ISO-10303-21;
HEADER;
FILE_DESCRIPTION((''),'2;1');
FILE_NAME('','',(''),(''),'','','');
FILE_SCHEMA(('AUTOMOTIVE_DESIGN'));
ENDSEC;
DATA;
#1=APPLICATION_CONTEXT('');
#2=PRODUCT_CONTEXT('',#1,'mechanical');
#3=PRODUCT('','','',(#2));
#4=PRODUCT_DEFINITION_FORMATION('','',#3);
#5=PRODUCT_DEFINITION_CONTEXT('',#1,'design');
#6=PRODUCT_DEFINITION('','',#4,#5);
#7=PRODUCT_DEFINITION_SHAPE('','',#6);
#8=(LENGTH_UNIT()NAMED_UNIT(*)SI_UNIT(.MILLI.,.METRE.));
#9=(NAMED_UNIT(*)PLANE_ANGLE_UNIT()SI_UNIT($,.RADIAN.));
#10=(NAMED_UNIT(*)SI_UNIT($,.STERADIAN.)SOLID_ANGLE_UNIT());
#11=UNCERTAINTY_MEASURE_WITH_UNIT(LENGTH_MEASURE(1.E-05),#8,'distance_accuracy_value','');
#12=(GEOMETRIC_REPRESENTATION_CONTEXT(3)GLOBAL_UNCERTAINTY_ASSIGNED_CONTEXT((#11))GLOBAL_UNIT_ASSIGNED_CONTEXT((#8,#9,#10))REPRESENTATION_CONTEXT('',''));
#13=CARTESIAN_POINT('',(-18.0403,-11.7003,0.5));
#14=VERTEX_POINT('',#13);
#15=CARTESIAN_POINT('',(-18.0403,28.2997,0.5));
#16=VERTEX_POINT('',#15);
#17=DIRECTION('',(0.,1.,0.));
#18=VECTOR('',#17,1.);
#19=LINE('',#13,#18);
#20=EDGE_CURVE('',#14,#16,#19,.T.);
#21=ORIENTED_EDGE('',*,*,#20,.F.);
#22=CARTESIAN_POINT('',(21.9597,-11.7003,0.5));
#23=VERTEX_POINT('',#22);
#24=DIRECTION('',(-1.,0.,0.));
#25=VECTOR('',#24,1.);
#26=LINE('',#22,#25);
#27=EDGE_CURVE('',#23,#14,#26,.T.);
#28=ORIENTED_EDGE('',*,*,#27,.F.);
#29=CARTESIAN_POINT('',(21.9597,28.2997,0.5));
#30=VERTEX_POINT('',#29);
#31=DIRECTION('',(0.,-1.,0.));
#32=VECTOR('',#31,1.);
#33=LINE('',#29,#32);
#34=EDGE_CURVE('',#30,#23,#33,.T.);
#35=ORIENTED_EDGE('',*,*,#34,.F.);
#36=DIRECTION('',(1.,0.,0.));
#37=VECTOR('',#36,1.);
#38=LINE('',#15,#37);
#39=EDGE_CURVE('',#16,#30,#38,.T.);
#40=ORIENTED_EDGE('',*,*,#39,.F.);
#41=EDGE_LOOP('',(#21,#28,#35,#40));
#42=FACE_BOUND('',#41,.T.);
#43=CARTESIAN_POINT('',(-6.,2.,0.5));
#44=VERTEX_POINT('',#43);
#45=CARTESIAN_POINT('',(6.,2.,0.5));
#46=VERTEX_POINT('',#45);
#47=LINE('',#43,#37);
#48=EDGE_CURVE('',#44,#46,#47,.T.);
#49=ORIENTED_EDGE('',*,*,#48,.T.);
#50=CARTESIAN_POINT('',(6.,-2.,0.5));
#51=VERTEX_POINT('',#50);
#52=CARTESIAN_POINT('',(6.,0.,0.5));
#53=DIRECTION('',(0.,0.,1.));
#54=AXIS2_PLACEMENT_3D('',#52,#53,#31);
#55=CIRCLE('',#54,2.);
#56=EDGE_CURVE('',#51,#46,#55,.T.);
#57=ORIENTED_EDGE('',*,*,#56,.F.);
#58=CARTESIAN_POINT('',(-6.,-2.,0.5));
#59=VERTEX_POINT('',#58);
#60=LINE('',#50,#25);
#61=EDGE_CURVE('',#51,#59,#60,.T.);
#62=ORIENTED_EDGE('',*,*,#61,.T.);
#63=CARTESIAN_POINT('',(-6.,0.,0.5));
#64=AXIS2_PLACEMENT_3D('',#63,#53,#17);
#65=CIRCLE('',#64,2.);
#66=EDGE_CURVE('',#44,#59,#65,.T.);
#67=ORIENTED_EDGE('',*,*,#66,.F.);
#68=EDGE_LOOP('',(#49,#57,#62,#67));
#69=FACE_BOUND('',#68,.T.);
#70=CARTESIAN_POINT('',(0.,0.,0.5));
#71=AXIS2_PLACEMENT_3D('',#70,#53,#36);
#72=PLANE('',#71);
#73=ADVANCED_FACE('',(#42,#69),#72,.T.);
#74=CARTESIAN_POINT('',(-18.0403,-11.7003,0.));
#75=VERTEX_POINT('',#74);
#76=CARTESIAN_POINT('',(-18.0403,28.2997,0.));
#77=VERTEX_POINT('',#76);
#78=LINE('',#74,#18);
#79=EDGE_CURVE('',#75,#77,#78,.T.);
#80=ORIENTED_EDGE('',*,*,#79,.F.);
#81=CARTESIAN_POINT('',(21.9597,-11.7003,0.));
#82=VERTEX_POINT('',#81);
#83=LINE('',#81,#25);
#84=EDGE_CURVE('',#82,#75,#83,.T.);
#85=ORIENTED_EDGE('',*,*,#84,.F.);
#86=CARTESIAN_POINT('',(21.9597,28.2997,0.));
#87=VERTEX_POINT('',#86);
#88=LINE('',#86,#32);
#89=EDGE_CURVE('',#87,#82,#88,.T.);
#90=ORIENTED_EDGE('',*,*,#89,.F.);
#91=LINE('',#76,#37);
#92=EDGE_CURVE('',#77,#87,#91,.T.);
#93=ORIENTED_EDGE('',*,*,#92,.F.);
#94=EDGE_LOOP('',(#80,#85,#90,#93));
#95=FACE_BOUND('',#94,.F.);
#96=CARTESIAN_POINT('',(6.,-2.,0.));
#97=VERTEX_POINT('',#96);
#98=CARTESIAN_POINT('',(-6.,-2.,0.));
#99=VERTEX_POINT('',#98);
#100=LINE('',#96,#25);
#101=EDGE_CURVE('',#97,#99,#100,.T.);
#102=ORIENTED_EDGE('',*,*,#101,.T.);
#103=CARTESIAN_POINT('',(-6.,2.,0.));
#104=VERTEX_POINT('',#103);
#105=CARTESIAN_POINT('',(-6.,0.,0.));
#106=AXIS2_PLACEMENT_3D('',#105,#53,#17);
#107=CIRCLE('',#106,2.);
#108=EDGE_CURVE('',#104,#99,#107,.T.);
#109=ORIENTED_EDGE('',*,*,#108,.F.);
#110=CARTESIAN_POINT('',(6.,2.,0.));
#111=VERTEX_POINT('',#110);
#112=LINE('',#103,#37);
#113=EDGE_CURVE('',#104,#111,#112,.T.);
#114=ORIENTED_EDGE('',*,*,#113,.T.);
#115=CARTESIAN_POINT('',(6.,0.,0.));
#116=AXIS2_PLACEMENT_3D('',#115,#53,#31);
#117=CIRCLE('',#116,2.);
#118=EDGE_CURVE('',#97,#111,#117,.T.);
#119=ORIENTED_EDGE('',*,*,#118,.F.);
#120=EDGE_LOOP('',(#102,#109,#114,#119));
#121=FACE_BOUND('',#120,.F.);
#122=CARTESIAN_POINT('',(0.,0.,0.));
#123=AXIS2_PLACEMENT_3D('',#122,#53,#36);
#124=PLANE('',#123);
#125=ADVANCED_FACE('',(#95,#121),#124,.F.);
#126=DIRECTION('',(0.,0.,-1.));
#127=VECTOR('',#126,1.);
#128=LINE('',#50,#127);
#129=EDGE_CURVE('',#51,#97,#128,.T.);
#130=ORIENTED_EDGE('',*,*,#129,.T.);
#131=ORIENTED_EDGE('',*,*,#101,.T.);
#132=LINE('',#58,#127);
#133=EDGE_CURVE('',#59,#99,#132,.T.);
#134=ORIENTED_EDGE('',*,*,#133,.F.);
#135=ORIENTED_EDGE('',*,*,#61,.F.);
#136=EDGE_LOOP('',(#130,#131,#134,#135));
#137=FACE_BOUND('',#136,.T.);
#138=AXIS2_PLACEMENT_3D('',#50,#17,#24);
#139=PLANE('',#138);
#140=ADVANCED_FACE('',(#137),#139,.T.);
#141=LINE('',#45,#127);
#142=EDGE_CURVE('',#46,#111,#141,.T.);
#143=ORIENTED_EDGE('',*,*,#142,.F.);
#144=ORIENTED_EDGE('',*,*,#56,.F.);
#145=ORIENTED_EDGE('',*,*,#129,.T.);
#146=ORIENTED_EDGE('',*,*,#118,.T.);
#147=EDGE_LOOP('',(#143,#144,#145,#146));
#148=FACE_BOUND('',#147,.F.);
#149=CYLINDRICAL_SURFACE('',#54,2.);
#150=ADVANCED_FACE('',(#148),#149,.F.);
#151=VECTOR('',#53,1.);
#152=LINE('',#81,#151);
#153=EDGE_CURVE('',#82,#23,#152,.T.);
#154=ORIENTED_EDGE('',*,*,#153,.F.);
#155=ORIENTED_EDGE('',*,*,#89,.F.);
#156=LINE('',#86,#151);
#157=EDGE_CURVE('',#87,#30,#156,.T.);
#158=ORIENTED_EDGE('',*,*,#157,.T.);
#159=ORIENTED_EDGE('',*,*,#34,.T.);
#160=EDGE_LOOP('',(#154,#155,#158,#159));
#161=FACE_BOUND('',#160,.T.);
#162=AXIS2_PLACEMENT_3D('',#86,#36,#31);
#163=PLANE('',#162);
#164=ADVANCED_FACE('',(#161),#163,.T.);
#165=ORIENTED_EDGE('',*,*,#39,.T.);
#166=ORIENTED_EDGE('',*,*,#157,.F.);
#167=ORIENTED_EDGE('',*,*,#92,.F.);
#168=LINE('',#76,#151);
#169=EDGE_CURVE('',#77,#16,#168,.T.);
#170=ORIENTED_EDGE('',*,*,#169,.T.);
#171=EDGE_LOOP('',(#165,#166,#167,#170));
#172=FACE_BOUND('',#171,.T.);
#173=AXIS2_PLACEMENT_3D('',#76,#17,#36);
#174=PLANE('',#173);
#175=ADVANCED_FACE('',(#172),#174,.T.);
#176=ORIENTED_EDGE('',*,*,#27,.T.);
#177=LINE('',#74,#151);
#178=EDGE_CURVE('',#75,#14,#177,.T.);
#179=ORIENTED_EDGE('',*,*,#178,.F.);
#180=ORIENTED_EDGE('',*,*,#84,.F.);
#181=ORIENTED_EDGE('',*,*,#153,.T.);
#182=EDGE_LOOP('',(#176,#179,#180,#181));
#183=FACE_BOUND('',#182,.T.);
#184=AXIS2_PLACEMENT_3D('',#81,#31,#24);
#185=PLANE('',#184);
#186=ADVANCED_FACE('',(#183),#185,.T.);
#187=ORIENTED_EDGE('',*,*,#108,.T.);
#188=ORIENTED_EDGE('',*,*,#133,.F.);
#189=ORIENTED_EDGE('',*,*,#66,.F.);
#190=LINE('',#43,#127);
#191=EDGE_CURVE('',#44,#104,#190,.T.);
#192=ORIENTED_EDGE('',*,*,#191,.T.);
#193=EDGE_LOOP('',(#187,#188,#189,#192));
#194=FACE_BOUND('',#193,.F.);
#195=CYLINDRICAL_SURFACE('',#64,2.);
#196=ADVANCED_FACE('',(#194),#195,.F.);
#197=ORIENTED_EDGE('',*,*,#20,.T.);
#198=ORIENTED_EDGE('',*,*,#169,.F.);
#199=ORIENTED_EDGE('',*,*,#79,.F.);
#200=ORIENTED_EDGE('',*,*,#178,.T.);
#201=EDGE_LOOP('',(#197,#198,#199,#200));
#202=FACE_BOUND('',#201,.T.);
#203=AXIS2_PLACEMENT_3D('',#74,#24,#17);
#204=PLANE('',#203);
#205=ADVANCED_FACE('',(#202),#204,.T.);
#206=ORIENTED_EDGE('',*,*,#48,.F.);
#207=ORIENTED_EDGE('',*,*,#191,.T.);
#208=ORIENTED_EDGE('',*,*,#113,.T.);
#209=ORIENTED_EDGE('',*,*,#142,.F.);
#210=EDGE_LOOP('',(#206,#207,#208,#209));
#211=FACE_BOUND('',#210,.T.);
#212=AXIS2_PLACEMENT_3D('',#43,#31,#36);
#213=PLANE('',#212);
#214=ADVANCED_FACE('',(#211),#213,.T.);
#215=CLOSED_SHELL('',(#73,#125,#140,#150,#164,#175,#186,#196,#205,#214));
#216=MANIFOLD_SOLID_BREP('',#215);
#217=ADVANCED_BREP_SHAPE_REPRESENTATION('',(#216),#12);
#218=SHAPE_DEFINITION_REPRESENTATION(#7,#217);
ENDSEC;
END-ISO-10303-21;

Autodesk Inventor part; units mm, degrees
ref_plane "YZ Plane" through (0, 0, 0) normal (1, 0, 0) x (0, 1, 0)
ref_plane "XZ Plane" through (0, 0, 0) normal (0, 1, 0) x (-1, 0, 0)
ref_plane "XY Plane" through (0, 0, 0) normal (0, 0, 1) x (1, 0, 0)
sketch "Sketch1" plane through (0, 0, 0) normal (0, 0, 1) x (1, 0, 0)
  line L0 (-18.0403, 28.2997) -> (21.9597, 28.2997)
  line L1 (21.9597, 28.2997) -> (21.9597, -11.7003)
  line L2 (21.9597, -11.7003) -> (-18.0403, -11.7003)
  line L3 (-18.0403, -11.7003) -> (-18.0403, 28.2997)
  point P0 (0, 0)
  dimension "d0" = 40
  dimension "d1" = 40
extrude "Plate1" add sketch "Sketch1" along normal blind 0.5
sketch "Sketch2" plane through (0, 0, 0.5) normal (0, 0, 1) x (1, 0, 0)
  line L0 (6, 0) -> (-6, 0) construction
  line L1 (6, -2) -> (-6, -2)
  line L2 (-6, 2) -> (6, 2)
  arc A0 (6, -2) -> (6, 2) centre (6, 0) ccw
  arc A1 (-6, 2) -> (-6, -2) centre (-6, 0) ccw
  point P0 (0, 0)
  point P1 (0, 0)
  dimension "LG_C" = 12
  dimension "LT_C" = 4
extrude "Cut1" cut sketch "Sketch2" against normal blind 0.5
equation "\"d6\" = Thickness"
equation "\"d2\" = Thickness"
equation "\"BendRadius\" = Thickness"
equation "\"BendReliefWidth\" = Thickness"
equation "\"BendReliefDepth\" = 0.5 * Thickness"
equation "\"CornerReliefSize\" = 4 * Thickness"
equation "\"MinimumRemnant\" = 2 * Thickness"
equation "\"TransitionRadius\" = BendRadius"
equation "\"JacobiRadiusSize\" = BendRadius"
equation "\"GapSize\" = Thickness"
equation "\"Thickness\" = 0.5"
properties part number "DecupajOvalizat"
